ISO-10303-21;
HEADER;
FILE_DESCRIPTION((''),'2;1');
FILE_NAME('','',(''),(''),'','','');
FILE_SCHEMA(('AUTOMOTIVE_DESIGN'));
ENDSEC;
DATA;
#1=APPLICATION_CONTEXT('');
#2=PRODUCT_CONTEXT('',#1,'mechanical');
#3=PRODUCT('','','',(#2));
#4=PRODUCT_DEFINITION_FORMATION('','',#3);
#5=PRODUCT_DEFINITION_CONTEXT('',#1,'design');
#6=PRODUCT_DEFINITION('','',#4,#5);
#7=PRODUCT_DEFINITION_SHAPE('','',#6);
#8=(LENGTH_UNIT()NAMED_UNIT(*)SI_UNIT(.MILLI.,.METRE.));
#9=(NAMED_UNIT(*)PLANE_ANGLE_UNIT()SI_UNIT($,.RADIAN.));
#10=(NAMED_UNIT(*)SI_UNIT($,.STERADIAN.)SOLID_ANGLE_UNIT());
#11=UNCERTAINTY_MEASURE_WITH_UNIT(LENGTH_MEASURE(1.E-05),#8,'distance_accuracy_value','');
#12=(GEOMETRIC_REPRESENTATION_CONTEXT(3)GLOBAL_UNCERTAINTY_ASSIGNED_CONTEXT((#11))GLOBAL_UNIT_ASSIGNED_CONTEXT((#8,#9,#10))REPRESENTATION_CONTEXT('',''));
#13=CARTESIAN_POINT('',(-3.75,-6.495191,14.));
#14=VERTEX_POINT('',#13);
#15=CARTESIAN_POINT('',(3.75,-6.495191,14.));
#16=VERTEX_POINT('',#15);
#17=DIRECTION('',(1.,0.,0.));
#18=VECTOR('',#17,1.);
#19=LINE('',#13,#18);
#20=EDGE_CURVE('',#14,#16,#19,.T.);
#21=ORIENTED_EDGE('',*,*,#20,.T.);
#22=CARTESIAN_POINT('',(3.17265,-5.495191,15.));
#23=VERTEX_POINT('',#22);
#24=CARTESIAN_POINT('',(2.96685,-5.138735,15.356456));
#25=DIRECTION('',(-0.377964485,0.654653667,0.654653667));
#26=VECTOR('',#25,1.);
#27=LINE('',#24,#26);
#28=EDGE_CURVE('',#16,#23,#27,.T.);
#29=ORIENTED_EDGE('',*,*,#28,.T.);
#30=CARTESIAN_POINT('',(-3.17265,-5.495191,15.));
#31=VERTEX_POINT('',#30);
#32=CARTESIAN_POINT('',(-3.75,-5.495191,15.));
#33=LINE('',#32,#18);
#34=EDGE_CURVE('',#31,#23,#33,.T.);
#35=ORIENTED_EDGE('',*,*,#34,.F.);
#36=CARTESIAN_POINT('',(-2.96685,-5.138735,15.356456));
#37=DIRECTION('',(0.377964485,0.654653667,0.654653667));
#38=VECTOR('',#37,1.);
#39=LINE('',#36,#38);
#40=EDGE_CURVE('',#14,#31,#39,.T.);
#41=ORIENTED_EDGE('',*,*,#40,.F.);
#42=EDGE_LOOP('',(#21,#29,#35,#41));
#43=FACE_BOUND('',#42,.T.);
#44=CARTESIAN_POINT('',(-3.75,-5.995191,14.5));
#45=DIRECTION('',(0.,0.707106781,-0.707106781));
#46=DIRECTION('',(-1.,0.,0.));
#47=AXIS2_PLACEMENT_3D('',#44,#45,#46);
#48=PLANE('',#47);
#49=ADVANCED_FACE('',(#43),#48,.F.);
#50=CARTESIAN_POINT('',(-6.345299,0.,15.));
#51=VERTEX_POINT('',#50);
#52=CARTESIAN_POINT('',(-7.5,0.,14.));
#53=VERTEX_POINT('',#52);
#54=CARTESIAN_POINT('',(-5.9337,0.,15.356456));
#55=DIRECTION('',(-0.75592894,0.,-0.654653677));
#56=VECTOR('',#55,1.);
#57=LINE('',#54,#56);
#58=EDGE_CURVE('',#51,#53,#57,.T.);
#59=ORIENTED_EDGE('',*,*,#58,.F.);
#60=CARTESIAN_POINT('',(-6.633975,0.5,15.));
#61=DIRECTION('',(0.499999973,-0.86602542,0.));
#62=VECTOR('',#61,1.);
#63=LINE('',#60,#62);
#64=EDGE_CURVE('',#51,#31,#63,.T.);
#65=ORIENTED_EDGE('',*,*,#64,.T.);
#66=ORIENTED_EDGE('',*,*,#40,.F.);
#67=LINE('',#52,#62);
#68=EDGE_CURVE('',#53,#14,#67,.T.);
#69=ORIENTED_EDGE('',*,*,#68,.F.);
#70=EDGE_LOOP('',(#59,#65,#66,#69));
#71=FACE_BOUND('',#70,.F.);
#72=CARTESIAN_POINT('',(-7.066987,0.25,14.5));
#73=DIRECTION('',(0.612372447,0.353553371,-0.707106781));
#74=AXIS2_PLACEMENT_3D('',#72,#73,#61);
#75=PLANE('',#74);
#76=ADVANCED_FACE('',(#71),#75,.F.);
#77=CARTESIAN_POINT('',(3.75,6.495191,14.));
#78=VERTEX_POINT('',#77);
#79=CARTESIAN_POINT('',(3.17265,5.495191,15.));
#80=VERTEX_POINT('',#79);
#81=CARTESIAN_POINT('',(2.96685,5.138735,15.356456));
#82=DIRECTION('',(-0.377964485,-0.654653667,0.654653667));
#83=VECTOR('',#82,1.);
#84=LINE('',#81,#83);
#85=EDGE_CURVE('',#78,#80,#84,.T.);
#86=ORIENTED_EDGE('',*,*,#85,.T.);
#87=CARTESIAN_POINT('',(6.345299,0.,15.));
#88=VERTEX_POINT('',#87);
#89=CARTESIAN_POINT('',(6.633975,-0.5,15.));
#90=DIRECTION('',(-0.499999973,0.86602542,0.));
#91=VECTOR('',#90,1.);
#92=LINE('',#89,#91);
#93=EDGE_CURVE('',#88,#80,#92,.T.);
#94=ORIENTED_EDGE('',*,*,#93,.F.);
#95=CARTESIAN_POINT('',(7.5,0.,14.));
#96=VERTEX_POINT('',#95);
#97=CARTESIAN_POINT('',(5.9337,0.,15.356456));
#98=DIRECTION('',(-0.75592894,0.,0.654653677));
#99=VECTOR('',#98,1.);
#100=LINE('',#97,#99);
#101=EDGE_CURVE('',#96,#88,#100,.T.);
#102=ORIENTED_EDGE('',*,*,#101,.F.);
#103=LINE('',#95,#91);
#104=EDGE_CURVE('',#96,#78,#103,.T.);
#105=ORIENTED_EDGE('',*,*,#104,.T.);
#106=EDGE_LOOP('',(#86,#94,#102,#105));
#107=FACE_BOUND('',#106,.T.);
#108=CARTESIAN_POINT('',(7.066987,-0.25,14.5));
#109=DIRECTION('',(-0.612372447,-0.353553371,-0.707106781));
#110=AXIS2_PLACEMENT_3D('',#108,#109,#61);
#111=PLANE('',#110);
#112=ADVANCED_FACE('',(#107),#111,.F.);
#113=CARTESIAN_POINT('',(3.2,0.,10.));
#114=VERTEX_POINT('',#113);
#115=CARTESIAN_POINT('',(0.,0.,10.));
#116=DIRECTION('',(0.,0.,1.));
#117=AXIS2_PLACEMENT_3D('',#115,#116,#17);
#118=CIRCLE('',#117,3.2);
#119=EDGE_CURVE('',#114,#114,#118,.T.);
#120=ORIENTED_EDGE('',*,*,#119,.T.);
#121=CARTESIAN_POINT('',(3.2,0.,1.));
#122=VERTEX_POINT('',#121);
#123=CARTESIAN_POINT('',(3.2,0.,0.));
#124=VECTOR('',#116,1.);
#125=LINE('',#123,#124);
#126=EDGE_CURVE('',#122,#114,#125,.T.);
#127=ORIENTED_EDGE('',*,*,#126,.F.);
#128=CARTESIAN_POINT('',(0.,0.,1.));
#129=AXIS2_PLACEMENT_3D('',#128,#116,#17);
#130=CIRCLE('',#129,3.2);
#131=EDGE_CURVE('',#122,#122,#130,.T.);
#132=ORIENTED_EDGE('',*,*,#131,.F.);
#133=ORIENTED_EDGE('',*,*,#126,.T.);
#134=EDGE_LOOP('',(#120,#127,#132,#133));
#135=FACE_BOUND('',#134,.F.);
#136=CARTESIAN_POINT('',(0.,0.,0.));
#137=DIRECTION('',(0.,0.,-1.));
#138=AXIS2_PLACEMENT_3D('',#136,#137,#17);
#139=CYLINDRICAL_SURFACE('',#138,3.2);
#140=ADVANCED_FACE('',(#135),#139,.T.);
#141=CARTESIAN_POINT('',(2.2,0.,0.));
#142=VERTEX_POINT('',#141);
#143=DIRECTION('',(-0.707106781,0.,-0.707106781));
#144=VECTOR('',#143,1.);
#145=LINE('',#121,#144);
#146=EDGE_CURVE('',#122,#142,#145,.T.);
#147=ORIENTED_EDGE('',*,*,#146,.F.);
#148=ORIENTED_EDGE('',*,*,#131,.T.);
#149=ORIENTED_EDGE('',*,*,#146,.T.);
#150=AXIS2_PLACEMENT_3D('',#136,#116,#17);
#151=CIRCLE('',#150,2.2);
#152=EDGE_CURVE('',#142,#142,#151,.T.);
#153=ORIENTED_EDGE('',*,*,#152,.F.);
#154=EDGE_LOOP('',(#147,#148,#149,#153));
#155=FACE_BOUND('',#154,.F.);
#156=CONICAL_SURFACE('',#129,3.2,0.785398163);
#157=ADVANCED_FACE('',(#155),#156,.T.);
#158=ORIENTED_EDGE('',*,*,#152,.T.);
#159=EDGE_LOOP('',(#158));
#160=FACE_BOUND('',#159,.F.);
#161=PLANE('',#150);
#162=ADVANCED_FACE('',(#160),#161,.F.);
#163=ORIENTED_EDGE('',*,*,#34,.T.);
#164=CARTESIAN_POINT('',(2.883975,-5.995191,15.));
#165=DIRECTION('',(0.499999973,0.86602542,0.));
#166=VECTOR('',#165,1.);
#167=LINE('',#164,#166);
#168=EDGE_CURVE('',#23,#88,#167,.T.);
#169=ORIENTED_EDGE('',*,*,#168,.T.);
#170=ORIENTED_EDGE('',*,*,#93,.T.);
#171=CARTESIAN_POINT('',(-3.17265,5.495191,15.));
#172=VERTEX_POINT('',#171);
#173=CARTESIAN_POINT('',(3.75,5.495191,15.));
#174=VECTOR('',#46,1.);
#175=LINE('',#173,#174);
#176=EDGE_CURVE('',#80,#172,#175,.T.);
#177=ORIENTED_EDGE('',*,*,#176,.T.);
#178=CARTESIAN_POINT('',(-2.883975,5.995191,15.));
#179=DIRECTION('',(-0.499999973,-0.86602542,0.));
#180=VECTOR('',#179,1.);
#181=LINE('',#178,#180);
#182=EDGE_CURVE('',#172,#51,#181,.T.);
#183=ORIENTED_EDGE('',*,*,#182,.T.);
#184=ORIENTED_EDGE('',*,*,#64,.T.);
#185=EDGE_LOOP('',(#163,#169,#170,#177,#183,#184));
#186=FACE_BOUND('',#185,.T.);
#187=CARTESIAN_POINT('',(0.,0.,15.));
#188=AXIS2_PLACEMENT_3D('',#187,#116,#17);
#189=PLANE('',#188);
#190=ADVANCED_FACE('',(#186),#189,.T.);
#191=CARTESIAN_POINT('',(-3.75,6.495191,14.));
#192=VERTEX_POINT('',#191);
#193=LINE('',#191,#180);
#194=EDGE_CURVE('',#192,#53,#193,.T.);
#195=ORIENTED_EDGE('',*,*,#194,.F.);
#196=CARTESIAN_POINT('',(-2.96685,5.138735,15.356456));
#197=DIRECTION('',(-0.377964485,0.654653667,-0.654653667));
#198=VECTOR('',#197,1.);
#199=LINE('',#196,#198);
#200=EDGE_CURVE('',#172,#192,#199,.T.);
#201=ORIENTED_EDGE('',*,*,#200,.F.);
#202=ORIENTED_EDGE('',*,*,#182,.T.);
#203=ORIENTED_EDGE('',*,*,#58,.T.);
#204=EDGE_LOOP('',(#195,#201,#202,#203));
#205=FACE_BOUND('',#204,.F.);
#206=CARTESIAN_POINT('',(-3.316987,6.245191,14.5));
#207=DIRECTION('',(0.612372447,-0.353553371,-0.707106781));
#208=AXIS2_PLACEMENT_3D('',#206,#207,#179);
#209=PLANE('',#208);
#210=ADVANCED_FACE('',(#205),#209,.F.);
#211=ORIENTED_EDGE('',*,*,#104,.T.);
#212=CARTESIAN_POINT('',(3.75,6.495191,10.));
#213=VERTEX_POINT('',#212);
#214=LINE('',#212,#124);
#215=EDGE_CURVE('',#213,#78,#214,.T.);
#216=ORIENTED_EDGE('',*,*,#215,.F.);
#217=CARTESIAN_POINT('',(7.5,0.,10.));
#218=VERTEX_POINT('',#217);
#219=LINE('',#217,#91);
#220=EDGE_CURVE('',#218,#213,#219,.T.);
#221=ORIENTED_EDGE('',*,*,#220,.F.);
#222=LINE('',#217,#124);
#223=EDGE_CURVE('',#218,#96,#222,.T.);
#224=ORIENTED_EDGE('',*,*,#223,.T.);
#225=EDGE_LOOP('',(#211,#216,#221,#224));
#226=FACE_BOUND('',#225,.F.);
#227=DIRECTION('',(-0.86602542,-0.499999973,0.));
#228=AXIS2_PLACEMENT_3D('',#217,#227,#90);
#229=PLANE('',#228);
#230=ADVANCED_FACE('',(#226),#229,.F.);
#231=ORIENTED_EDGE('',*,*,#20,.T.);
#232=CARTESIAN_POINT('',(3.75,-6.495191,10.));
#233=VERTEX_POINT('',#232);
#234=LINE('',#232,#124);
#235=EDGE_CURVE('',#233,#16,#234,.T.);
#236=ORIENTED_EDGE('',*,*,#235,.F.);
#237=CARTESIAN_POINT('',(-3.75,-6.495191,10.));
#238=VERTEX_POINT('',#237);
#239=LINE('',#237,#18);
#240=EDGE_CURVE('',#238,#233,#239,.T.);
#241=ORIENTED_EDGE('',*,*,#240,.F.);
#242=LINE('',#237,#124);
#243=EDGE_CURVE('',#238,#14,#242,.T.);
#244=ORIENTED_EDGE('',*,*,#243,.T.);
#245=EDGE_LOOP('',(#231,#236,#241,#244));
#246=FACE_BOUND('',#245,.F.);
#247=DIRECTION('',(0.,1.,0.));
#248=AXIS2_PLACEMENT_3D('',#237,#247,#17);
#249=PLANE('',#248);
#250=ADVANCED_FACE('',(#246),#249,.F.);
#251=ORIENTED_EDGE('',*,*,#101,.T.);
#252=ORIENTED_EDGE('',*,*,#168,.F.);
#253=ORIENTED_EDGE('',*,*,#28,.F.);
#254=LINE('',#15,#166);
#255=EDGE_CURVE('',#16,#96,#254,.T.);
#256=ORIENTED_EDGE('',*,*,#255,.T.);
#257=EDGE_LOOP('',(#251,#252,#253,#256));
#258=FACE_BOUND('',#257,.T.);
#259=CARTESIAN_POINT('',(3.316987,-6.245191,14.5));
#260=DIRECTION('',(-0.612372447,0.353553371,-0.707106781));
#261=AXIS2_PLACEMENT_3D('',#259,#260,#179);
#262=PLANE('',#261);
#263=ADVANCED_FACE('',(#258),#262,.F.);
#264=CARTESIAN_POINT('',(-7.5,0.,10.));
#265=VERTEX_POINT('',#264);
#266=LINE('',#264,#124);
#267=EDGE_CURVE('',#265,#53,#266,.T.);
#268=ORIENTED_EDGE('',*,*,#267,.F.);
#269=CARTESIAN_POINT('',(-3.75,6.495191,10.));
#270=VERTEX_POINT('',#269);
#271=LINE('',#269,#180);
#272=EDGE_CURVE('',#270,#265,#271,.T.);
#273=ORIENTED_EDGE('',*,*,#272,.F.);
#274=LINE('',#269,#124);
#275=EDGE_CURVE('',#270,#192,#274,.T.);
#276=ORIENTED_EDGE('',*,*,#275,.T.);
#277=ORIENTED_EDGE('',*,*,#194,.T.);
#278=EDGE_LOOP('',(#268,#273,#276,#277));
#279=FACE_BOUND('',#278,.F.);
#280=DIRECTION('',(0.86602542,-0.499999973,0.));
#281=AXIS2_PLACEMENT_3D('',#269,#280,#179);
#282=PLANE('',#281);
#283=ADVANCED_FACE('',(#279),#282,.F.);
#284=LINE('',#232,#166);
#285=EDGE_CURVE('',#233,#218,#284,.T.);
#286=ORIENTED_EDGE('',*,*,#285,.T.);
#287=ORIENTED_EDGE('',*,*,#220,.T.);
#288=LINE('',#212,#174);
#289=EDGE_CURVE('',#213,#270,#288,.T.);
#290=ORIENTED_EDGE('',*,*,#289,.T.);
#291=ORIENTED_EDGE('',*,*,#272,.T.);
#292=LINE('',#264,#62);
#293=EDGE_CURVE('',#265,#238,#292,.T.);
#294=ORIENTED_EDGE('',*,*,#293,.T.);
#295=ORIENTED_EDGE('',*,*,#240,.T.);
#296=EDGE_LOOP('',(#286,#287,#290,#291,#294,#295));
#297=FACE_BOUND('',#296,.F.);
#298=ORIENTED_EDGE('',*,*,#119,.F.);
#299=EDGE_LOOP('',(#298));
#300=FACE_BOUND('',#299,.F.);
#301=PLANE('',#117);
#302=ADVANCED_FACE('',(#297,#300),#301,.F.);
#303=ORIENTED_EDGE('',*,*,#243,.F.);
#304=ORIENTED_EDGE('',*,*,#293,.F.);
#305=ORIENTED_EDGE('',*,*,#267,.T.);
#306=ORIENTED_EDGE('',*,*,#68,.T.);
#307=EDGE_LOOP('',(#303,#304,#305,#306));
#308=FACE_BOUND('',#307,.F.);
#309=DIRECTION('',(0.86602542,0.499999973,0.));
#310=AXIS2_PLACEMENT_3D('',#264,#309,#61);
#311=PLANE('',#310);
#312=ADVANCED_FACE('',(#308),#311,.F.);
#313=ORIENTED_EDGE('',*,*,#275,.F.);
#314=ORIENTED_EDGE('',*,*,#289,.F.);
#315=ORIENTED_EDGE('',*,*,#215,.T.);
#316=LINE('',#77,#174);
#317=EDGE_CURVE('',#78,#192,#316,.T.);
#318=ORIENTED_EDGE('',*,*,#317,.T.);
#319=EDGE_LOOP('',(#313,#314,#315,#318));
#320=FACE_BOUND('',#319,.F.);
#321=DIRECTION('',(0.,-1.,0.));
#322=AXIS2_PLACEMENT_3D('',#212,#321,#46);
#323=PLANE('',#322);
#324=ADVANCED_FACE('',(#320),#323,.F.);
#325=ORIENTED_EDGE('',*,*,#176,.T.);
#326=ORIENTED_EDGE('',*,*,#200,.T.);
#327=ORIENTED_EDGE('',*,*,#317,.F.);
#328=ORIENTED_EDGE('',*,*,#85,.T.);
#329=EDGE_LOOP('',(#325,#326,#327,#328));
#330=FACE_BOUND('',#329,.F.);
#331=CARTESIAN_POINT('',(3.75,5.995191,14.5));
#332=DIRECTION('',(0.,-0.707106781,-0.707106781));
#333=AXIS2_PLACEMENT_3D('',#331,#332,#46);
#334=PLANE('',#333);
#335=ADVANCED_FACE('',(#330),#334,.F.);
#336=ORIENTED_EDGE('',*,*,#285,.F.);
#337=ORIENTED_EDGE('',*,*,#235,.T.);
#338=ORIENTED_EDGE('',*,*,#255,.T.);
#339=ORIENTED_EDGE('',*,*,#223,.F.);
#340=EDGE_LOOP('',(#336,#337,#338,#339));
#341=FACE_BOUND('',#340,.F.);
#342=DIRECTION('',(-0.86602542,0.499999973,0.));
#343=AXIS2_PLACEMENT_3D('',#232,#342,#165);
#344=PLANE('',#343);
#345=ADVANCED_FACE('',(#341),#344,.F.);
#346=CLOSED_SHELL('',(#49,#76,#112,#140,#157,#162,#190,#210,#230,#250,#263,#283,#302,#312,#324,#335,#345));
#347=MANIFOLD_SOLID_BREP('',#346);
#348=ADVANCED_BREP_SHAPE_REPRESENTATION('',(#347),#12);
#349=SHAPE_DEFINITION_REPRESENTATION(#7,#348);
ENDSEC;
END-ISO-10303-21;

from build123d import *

# Parameters (mm, degrees)
F0_R     = 3.2
F1_DEPTH = 10
F2_R     = 3.2
F3_DEPTH = 5
F4_SIZE  = 1


with BuildPart() as f1:
    # F0 (on Top) → F1 (new body)
    with BuildSketch(Plane.XY):
        Circle(F0_R)
    extrude(amount=F1_DEPTH)

    # F2 (on face) → F3 (join)
    with BuildSketch(Plane.XY.offset(10)):
        Polygon((3.75, -6.495191), (7.5, 0), (3.75, 6.495191), (-3.75, 6.495191), (-7.5, 0), (-3.75, -6.495191), align=None)
        Circle(F2_R, mode=Mode.SUBTRACT)
        Circle(F2_R)
    extrude(amount=F3_DEPTH)

    # F4
    f4_edges = [f1.edges().sort_by_distance(p)[0] for p in [
        (0, -6.495191, 15),
        (5.625, -3.247595, 15),
        (5.625, 3.247595, 15),
        (0, 6.495191, 15),
        (-5.625, 3.247595, 15),
        (-5.625, -3.247595, 15),
        (-3.2, 0, 0),
    ]]
    chamfer(f4_edges, length=F4_SIZE)


solid = f1.part
